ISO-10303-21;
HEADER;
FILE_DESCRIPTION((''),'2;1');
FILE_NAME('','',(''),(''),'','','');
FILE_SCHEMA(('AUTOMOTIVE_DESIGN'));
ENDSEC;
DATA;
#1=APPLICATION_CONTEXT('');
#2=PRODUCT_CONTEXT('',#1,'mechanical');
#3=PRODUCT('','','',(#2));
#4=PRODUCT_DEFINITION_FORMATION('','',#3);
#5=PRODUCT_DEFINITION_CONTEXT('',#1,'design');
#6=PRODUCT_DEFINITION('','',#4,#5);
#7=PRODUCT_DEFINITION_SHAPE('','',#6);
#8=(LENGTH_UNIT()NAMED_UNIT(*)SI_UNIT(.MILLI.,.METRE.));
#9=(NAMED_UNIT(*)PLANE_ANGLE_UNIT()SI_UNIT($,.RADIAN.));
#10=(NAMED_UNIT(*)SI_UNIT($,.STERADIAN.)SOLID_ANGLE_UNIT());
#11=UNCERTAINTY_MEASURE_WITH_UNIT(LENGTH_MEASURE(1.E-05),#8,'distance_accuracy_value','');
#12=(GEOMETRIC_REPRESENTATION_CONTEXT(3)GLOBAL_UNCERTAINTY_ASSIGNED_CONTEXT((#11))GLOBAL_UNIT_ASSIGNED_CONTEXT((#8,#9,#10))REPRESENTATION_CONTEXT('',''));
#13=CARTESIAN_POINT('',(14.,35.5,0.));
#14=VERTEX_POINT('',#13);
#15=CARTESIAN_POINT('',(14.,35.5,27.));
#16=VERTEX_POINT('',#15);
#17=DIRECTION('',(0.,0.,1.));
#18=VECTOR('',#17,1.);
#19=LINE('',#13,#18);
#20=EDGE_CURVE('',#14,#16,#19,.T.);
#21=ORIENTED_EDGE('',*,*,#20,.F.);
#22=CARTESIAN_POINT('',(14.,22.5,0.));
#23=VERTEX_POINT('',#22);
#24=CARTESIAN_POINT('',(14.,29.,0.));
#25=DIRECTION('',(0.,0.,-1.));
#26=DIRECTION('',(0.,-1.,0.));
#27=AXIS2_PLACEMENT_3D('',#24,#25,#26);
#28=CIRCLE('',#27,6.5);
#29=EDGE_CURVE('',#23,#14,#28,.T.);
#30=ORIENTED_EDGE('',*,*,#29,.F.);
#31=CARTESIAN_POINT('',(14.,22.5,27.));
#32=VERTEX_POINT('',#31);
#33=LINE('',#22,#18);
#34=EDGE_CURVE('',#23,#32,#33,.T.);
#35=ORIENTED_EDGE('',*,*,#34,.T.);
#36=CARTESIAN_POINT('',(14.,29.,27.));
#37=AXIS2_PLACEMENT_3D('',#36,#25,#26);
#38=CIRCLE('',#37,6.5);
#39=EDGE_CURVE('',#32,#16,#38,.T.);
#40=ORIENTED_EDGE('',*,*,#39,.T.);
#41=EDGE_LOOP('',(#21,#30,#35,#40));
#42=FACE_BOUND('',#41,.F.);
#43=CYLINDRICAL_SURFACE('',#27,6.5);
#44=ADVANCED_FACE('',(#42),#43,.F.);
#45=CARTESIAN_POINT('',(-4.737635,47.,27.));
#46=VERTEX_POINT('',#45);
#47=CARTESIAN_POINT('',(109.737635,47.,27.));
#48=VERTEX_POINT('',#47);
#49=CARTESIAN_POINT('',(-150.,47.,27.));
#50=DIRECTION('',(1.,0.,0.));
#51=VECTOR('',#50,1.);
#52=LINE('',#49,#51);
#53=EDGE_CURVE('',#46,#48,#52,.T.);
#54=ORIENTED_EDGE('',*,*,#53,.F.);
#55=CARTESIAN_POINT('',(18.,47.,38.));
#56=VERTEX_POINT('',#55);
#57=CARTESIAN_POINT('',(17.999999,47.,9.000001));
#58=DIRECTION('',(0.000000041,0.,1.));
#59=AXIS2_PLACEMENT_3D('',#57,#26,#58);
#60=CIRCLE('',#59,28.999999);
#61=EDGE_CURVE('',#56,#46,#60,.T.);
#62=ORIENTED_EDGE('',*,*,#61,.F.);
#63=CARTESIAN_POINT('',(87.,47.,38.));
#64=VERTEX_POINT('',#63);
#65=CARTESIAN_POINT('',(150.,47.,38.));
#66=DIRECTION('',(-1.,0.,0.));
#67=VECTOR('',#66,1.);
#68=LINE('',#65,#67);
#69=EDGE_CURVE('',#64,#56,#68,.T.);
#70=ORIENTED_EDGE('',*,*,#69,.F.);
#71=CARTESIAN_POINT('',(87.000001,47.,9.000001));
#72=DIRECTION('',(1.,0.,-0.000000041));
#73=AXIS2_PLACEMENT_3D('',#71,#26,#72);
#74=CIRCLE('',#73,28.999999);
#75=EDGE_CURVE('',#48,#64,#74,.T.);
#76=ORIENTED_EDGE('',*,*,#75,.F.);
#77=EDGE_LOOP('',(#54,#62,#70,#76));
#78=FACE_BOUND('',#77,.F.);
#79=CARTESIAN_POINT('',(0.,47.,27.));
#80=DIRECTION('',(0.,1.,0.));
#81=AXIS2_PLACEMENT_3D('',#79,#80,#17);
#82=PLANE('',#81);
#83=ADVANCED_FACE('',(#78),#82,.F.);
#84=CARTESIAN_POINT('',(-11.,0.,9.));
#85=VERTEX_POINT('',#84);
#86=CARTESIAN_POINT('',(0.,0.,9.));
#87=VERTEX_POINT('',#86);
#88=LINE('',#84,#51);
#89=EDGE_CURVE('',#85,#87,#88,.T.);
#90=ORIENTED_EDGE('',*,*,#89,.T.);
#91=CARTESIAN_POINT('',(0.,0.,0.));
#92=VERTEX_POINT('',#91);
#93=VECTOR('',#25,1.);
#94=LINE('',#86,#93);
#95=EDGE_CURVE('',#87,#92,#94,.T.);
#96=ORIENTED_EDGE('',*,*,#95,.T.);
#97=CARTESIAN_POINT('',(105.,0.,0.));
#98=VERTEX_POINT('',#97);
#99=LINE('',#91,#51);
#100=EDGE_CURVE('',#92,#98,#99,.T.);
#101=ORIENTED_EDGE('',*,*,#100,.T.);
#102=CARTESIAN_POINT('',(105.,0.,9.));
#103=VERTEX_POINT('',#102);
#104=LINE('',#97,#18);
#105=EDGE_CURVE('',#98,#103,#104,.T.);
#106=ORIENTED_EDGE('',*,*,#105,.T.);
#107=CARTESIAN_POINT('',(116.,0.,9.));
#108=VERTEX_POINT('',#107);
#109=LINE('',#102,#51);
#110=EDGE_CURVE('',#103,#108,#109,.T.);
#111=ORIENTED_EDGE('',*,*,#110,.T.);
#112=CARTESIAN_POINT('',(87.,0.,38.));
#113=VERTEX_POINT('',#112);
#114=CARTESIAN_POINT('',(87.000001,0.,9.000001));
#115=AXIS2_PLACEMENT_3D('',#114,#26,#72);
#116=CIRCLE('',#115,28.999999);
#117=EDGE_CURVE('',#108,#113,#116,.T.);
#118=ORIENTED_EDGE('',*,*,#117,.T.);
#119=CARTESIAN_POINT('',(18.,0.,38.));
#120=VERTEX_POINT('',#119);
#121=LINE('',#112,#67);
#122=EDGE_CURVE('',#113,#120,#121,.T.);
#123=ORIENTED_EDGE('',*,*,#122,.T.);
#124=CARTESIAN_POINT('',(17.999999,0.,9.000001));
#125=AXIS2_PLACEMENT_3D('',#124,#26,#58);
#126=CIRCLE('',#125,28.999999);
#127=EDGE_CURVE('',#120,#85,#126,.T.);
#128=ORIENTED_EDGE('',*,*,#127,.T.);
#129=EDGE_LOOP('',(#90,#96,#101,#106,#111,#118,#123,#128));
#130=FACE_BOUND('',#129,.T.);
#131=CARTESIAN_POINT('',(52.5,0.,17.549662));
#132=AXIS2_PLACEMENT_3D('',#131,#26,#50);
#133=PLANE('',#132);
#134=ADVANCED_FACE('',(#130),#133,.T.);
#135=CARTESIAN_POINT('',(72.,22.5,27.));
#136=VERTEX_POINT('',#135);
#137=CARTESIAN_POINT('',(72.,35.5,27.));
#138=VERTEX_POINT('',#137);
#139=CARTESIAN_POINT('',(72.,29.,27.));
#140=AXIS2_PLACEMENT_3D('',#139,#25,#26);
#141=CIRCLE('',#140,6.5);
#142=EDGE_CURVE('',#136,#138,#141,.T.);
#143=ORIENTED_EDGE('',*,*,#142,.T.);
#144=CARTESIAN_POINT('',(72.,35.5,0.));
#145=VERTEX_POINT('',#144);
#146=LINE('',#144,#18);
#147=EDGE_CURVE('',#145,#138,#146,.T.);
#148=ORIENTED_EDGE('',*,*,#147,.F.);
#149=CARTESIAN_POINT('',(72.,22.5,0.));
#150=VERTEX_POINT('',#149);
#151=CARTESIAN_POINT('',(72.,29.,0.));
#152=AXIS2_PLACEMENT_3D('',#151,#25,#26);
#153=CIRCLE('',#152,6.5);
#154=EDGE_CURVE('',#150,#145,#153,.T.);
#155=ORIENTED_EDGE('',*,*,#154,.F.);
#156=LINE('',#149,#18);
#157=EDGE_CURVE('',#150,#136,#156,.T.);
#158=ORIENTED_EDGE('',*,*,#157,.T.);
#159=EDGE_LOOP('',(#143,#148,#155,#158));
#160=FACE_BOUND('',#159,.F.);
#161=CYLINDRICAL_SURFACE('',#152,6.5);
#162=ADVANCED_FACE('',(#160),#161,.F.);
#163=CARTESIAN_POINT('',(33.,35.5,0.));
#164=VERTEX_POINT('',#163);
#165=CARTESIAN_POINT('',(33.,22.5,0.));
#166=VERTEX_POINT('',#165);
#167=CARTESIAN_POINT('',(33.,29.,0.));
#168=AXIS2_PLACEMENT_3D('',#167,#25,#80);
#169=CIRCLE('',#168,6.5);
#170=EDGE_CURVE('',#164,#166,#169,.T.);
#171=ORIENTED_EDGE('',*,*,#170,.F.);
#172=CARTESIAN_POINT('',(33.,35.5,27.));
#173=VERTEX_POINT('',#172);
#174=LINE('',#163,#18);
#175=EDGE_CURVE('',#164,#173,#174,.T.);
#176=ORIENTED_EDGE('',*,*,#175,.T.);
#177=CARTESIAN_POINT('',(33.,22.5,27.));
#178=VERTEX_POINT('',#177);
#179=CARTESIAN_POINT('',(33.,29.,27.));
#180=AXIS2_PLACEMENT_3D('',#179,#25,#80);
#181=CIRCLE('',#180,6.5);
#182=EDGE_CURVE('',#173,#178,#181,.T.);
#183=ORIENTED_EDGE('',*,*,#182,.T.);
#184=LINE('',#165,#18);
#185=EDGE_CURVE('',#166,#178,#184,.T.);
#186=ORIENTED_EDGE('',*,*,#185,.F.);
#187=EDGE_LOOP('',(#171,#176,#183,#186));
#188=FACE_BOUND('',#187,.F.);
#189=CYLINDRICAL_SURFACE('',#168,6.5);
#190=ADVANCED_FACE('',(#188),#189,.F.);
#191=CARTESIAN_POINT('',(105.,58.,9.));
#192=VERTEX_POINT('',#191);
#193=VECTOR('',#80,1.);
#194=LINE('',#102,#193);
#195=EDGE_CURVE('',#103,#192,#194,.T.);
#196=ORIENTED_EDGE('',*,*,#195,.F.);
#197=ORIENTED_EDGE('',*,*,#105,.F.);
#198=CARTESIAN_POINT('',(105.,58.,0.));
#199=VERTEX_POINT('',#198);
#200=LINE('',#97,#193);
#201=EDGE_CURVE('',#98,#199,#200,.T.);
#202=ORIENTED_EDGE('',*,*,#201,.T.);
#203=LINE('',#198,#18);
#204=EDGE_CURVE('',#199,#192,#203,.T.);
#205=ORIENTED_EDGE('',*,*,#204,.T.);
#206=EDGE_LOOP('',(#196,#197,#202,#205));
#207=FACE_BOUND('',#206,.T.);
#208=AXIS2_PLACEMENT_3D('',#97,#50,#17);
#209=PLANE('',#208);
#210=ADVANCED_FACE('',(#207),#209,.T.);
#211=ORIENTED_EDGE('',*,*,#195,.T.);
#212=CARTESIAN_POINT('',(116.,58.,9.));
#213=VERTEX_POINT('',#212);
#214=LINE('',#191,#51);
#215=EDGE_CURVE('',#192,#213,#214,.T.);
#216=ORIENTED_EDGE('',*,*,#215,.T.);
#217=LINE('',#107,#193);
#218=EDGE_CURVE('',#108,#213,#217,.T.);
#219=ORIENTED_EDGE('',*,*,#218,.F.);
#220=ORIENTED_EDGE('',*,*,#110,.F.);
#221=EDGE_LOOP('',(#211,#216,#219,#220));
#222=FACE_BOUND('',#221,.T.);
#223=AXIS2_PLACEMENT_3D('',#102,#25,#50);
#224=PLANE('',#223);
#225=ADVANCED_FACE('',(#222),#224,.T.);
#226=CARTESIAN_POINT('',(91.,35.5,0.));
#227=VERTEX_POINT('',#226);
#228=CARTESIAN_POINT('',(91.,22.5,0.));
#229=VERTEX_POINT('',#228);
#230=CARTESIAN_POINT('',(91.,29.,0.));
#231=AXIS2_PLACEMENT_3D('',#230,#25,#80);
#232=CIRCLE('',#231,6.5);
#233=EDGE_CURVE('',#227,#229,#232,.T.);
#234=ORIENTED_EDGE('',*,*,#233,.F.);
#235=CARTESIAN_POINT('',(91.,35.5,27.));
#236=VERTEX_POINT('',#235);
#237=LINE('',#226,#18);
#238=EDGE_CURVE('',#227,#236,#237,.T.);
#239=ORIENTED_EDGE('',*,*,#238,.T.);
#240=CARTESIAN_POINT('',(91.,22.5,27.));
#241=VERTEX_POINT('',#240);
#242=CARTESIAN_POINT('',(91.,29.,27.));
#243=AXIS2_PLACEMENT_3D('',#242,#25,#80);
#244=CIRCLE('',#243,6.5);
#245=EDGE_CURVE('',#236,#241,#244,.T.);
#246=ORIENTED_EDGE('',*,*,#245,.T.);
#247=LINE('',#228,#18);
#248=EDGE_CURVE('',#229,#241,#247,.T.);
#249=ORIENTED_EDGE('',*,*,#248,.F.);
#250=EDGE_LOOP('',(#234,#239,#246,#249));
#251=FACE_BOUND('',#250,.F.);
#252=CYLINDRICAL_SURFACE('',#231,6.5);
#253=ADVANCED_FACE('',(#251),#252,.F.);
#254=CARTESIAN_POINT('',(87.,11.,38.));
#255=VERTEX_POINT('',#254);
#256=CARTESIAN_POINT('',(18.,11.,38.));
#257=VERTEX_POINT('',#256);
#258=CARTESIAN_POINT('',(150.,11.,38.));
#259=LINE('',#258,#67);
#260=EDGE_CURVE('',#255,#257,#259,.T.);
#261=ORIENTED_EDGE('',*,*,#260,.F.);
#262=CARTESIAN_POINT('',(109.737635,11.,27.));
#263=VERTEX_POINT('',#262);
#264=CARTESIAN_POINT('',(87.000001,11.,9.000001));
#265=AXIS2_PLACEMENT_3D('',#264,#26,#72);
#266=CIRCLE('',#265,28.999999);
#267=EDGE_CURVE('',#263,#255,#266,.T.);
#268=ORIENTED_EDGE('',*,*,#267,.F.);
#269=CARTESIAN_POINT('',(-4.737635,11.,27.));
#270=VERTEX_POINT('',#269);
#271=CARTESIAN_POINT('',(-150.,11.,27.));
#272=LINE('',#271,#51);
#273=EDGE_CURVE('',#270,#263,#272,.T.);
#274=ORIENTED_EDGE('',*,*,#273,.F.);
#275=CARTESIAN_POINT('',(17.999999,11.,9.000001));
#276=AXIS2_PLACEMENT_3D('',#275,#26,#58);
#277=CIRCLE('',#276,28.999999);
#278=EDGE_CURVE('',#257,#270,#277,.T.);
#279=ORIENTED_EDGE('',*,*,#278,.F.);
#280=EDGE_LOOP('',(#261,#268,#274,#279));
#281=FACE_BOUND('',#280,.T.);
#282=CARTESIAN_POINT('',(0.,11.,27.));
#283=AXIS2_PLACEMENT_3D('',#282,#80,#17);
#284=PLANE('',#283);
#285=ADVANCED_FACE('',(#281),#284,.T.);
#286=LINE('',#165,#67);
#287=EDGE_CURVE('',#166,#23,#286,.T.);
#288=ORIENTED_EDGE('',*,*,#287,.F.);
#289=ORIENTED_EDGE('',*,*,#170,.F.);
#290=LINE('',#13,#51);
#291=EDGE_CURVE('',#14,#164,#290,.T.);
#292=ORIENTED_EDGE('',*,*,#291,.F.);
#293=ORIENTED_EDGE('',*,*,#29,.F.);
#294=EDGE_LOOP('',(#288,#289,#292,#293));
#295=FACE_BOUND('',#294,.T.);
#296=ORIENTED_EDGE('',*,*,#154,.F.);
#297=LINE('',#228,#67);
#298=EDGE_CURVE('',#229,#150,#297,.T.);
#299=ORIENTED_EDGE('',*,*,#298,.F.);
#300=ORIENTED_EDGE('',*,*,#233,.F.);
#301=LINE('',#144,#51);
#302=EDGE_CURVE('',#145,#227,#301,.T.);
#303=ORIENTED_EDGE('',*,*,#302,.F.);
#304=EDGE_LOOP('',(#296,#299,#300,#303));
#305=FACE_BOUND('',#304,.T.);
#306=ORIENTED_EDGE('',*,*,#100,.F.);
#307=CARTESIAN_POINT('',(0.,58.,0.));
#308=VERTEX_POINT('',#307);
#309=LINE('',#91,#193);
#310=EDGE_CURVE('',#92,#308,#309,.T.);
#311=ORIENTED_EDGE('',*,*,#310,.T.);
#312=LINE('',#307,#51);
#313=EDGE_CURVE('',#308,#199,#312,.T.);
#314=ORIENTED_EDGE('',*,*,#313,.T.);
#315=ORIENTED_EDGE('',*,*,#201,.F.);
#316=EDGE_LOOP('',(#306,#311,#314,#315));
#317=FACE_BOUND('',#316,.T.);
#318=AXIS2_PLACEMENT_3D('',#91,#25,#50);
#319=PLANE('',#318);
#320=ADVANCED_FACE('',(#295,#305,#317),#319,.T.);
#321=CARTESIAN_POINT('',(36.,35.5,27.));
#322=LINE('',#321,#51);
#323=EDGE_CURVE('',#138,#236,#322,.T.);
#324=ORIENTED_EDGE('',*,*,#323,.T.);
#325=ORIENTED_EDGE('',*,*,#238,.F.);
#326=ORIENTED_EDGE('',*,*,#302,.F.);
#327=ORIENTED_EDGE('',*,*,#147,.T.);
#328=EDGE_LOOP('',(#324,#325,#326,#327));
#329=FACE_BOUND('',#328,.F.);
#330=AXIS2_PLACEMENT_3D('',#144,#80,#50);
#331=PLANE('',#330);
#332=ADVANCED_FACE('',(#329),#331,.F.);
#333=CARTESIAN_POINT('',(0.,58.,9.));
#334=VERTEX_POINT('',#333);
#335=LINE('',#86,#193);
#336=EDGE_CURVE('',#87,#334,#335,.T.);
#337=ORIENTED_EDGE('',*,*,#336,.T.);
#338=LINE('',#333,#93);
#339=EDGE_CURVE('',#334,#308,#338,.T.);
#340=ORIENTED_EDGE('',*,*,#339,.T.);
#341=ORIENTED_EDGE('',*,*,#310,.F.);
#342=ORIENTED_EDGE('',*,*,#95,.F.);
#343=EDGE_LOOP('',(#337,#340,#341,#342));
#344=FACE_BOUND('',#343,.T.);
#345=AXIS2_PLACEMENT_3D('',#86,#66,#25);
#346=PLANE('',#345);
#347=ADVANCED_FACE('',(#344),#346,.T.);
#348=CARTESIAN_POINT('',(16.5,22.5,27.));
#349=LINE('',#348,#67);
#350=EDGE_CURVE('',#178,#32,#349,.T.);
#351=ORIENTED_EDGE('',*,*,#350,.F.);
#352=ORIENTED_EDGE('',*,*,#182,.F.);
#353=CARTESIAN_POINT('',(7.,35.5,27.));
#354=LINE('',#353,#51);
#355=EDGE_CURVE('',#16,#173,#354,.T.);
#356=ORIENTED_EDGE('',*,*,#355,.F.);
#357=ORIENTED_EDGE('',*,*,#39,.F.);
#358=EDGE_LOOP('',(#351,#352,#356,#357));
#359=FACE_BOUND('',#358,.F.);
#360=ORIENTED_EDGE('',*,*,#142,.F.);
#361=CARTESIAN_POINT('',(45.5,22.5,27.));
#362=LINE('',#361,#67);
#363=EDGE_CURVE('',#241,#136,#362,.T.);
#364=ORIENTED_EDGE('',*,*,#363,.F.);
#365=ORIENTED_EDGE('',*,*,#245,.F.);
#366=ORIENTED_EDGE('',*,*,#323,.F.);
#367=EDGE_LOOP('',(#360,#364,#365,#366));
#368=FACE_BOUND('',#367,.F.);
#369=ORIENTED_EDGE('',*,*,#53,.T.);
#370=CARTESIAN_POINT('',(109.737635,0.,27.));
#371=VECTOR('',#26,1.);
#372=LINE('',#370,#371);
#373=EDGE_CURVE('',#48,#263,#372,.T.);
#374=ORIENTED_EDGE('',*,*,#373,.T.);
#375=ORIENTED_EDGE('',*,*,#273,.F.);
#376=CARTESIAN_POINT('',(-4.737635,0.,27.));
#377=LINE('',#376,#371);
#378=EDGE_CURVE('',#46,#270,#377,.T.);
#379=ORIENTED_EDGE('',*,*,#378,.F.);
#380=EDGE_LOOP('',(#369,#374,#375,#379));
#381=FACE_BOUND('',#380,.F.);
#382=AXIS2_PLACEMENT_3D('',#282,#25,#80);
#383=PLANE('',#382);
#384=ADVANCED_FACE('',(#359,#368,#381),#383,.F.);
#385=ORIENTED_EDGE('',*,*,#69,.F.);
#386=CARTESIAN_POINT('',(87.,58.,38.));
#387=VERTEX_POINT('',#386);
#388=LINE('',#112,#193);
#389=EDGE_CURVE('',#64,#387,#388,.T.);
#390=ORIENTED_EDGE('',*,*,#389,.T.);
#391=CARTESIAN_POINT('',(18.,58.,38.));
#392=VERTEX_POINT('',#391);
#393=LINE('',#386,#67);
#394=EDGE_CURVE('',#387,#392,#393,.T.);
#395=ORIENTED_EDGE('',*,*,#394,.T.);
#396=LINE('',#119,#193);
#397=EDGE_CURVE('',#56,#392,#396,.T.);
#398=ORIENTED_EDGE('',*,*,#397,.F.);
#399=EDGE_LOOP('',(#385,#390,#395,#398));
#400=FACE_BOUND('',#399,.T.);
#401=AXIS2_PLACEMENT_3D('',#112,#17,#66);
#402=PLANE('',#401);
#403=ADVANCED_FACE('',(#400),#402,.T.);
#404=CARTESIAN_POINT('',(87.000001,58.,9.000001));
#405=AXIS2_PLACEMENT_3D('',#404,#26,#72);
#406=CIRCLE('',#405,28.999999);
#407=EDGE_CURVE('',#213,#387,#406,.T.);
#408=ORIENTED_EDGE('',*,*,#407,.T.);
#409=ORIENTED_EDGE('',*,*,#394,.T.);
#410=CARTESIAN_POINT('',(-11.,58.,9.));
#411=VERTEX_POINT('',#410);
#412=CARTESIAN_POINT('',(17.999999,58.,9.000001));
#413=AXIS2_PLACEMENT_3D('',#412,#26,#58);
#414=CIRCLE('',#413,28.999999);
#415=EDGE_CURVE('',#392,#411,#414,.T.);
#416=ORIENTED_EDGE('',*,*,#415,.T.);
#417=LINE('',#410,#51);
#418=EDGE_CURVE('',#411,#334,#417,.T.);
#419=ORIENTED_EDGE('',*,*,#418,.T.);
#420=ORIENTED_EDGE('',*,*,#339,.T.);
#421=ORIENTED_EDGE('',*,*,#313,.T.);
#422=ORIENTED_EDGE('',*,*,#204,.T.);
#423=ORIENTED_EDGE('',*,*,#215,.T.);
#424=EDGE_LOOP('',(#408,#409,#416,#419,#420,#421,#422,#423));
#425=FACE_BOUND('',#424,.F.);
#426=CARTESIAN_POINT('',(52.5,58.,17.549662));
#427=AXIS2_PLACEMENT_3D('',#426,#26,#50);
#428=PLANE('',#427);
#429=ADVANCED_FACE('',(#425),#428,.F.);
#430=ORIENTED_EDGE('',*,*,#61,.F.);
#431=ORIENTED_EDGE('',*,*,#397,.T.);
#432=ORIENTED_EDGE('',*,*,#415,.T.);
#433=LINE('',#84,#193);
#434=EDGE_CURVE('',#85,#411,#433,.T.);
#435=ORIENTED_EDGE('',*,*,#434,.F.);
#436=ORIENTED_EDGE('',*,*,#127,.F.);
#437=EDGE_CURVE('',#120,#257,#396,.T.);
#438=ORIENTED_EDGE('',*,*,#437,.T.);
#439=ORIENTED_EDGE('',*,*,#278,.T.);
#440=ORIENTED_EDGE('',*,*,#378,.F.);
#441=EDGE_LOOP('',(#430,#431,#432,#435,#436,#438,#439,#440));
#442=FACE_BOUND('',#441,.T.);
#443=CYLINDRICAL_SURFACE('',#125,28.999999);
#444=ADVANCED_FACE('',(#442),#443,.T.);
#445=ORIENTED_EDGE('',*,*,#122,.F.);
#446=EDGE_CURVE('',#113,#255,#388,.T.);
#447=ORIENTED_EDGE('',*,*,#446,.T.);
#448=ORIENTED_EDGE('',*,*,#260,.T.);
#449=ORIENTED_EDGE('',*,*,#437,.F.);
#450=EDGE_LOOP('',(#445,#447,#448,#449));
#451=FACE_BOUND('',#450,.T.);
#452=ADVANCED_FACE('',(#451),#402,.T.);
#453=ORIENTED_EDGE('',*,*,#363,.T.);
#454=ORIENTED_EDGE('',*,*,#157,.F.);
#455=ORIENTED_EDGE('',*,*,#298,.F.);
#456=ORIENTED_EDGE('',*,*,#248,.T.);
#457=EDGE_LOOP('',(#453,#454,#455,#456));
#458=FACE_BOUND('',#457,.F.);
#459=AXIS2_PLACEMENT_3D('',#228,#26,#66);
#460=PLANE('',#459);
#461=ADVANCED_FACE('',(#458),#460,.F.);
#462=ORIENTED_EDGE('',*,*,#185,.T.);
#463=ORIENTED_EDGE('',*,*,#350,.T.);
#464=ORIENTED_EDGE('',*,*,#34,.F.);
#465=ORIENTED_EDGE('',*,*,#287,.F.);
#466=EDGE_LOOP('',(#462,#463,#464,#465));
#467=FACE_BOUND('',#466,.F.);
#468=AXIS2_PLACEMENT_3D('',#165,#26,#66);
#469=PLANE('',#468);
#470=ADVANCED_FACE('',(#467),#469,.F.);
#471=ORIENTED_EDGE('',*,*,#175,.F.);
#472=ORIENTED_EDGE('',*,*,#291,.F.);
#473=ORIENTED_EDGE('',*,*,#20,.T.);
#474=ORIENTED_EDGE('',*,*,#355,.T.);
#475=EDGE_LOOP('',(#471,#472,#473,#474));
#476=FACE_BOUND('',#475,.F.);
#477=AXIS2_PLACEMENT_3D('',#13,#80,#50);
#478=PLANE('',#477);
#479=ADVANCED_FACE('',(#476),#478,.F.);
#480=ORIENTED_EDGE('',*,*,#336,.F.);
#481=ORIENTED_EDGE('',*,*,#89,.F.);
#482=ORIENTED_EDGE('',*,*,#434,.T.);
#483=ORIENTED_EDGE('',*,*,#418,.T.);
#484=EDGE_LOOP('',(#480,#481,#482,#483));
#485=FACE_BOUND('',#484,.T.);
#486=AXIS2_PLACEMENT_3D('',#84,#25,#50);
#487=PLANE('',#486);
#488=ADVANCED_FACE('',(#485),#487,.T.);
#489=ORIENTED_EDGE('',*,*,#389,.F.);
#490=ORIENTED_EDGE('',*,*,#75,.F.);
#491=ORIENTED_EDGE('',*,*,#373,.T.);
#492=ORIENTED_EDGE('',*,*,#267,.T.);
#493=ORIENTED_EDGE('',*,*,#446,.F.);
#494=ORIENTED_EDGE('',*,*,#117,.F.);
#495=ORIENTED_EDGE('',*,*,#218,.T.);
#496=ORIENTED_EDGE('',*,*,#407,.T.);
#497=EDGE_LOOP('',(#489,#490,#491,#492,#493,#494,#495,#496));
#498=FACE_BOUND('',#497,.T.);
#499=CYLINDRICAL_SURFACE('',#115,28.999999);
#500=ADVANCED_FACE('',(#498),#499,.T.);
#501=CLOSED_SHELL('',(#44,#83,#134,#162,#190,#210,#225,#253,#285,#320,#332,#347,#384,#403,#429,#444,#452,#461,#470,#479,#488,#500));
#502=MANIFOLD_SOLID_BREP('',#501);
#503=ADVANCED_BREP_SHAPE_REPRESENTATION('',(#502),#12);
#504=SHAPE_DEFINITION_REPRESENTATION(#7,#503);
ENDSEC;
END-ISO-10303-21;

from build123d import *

# Parameters (mm, degrees)
F1_DEPTH = 58
F2_W     = 36
F2_H     = 11
F3_DEPTH = 150
F5_DEPTH = 60


with BuildPart() as f1:
    # F0 (on Front) → F1 (new body)
    with BuildSketch(Plane.XZ):
        with BuildLine():
            Line((0, 9), (0, 0))
            Line((0, 0), (105, 0))
            Line((105, 0), (105, 9))
            Line((105, 9), (116, 9))
            ThreePointArc((116, 9), (107.506097, 29.506097), (87, 38))
            Line((87, 38), (18, 38))
            ThreePointArc((18, 38), (-2.506097, 29.506097), (-11, 9))
            Line((-11, 9), (0, 9))
        make_face()
    extrude(amount=-F1_DEPTH)

    # F2 (on Right) → F3 (cut, symmetric)
    with BuildSketch(Plane.YZ):
        with Locations((29, 32.5)):
            Rectangle(F2_W, F2_H)
    extrude(amount=F3_DEPTH, both=True, mode=Mode.SUBTRACT)

    # F4 (on face) → F5 (cut)
    with BuildSketch(Plane(origin=(0, 0, 0), x_dir=(1, 0, 0), z_dir=(0, 0, -1))):
        with BuildLine():
            Line((91, -22.5), (72, -22.5))
            ThreePointArc((72, -22.5), (65.5, -29), (72, -35.5))
            Line((72, -35.5), (91, -35.5))
            ThreePointArc((91, -35.5), (97.5, -29), (91, -22.5))
        make_face()
        with BuildLine():
            Line((33, -22.5), (14, -22.5))
            ThreePointArc((14, -22.5), (7.5, -29), (14, -35.5))
            Line((14, -35.5), (33, -35.5))
            ThreePointArc((33, -35.5), (39.5, -29), (33, -22.5))
        make_face()
    extrude(amount=-F5_DEPTH, mode=Mode.SUBTRACT)


solid = f1.part
